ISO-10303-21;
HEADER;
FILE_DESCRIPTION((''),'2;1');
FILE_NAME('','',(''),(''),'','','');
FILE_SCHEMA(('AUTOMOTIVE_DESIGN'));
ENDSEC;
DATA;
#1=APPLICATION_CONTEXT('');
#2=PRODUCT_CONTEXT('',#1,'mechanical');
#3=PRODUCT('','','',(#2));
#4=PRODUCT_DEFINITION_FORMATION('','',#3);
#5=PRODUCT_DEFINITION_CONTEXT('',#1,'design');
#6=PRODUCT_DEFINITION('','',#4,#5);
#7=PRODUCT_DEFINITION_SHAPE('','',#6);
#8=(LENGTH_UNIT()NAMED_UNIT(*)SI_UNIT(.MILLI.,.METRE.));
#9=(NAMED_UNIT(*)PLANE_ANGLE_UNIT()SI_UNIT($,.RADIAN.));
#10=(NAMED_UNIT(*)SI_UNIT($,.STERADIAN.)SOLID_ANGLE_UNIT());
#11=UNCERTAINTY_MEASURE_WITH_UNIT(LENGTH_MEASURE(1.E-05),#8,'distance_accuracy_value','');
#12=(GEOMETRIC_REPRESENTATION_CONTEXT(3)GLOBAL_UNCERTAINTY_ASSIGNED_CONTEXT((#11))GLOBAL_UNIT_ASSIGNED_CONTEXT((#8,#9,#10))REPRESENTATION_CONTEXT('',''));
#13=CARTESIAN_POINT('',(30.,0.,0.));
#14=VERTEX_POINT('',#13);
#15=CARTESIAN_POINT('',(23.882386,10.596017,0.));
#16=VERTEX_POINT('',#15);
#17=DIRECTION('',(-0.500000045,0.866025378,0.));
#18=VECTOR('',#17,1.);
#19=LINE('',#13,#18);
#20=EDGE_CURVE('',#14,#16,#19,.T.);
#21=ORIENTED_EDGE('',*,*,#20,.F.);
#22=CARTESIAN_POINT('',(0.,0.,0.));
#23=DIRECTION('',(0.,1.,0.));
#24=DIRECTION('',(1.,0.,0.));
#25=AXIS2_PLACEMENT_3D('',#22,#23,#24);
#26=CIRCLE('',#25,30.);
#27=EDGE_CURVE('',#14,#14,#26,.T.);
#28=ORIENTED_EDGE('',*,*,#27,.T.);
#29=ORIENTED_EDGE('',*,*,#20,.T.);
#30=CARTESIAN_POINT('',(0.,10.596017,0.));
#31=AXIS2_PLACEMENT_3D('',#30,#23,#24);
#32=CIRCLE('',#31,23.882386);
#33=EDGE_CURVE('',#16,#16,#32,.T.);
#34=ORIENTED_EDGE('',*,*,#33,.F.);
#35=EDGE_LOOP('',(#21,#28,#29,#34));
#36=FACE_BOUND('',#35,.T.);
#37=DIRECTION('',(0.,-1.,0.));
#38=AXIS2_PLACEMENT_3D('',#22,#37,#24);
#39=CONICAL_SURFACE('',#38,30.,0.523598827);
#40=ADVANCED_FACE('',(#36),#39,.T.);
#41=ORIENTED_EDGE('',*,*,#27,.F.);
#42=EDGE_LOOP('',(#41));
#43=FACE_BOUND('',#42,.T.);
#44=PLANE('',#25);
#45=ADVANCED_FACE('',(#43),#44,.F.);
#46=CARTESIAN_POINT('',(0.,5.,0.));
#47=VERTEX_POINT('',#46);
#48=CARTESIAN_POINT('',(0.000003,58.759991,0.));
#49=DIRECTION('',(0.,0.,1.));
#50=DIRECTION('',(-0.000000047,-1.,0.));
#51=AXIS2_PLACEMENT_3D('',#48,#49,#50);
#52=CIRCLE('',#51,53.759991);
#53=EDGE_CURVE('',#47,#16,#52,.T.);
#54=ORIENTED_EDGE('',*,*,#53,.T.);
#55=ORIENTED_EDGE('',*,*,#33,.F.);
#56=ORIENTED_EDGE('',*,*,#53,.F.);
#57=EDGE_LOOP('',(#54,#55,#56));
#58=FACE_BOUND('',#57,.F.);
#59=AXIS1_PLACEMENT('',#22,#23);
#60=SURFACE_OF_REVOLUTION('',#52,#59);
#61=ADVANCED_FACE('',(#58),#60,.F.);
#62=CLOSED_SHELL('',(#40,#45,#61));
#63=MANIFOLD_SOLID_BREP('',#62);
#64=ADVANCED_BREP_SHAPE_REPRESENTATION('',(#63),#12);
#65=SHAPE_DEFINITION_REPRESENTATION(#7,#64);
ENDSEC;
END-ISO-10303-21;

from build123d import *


with BuildPart() as part:
    # Sketch → Revolution (revolve)
    with BuildSketch(Plane.XY):
        with BuildLine():
            ThreePointArc((0, 5), (12.264622, 6.417697), (23.882386, 10.596017))
            Line((30, 0), (23.882386, 10.596017))
            Line((0, 0), (30, 0))
            Line((0, 5), (0, 0))
        make_face()
    revolve(axis=Axis((0, 0, 0), (0, 1, 0)))


solid = part.part
